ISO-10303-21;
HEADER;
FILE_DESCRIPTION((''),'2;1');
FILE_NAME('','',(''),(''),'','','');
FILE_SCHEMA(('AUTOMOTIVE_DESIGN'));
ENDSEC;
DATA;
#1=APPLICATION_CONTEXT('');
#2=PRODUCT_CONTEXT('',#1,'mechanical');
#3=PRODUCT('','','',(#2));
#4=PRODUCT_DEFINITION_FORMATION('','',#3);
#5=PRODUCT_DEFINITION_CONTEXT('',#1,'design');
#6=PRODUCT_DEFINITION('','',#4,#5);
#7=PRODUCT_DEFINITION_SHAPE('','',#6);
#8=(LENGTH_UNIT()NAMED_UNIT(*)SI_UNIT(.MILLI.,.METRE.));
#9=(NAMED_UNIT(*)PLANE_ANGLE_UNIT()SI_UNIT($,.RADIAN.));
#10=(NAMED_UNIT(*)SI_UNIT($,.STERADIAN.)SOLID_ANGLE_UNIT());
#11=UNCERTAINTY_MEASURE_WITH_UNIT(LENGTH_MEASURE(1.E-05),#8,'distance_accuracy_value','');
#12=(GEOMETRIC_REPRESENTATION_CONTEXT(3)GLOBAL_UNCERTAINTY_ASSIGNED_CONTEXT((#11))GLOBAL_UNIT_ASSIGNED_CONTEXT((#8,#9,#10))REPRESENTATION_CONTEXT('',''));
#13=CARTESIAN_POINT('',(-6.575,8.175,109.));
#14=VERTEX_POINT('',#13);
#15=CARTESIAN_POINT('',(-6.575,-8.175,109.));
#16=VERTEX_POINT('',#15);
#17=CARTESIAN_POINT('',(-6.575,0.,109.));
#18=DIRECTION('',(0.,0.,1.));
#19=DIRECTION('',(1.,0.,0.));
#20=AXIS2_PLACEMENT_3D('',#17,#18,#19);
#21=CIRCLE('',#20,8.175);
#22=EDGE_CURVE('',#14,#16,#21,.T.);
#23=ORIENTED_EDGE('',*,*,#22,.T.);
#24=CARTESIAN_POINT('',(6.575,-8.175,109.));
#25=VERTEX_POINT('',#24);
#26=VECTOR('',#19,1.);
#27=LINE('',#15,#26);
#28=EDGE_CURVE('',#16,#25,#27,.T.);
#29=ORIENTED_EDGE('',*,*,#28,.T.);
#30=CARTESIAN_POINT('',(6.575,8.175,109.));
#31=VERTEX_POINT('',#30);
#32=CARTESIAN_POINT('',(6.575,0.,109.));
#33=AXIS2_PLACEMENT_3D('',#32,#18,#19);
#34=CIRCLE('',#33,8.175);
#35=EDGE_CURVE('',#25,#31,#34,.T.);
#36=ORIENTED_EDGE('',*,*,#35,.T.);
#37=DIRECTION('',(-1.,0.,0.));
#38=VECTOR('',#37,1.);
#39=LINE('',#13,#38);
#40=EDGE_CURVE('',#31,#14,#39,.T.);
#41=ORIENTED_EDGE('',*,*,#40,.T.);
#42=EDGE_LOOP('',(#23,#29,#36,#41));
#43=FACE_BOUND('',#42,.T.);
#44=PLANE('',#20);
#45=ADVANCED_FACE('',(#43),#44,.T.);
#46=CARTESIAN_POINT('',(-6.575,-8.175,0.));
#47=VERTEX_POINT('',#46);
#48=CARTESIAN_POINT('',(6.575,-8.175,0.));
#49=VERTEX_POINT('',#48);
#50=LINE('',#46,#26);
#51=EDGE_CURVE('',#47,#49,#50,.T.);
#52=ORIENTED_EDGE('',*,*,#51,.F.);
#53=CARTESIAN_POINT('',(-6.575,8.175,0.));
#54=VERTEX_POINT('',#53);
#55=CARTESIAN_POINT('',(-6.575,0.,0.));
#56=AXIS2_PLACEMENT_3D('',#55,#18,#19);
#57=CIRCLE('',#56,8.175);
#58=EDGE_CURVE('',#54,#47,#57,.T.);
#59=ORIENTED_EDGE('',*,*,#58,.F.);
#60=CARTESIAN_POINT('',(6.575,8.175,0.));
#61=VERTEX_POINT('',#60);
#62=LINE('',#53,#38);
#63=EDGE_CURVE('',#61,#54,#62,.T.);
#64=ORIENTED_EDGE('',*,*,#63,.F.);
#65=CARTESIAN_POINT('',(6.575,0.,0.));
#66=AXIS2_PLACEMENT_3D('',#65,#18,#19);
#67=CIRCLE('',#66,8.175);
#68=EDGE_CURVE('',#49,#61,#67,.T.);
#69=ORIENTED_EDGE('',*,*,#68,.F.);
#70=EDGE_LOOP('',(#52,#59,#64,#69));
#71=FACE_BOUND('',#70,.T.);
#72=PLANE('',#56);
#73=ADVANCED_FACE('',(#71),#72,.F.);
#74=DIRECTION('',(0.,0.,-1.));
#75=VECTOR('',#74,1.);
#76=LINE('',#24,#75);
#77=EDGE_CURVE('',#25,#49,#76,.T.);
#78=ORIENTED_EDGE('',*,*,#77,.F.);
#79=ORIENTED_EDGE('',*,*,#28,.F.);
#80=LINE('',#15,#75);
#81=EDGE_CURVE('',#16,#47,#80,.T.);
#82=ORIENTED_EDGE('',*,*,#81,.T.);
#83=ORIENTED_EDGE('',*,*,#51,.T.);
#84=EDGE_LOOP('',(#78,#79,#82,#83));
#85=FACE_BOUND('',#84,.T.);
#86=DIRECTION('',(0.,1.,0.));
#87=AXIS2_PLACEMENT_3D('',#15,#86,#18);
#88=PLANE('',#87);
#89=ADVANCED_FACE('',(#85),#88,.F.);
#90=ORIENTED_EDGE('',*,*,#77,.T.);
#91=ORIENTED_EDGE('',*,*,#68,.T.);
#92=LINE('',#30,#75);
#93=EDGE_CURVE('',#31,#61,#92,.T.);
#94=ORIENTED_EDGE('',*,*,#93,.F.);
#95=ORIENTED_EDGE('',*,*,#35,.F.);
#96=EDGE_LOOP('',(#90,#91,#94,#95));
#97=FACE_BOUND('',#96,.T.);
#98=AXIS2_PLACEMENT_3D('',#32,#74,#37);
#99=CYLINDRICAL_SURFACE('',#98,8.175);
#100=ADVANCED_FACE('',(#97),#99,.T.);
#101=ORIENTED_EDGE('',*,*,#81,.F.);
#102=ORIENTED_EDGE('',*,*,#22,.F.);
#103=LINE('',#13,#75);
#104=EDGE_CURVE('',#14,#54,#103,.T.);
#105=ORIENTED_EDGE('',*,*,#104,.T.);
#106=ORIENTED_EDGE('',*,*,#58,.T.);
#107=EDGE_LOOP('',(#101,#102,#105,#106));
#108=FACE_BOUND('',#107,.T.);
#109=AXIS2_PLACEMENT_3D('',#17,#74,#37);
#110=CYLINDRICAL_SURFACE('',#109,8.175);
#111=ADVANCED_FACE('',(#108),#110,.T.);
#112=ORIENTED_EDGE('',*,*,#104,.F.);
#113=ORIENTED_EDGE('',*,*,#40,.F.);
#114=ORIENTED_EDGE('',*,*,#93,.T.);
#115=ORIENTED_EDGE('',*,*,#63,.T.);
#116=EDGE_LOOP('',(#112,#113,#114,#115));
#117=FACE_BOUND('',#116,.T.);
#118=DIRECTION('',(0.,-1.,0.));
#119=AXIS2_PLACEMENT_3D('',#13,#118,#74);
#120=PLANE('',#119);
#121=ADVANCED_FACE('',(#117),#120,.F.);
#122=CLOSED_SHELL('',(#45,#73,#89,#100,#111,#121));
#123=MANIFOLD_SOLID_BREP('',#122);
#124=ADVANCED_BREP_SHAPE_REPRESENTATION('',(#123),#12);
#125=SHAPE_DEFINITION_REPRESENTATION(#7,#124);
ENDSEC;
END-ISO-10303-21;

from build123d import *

# Parameters (mm, degrees)
BOSS_EXTRUDE1_DEPTH = 109


with BuildPart() as part:
    # Sketch1 → Boss-Extrude1 (new body)
    with BuildSketch(Plane.XY):
        with BuildLine():
            Line((-6.575, 8.175), (6.575, 8.175))
            ThreePointArc((6.575, 8.175), (14.75, 0), (6.575, -8.175))
            Line((6.575, -8.175), (-6.575, -8.175))
            ThreePointArc((-6.575, -8.175), (-14.75, 0), (-6.575, 8.175))
        make_face()
    extrude(amount=BOSS_EXTRUDE1_DEPTH)


solid = part.part
